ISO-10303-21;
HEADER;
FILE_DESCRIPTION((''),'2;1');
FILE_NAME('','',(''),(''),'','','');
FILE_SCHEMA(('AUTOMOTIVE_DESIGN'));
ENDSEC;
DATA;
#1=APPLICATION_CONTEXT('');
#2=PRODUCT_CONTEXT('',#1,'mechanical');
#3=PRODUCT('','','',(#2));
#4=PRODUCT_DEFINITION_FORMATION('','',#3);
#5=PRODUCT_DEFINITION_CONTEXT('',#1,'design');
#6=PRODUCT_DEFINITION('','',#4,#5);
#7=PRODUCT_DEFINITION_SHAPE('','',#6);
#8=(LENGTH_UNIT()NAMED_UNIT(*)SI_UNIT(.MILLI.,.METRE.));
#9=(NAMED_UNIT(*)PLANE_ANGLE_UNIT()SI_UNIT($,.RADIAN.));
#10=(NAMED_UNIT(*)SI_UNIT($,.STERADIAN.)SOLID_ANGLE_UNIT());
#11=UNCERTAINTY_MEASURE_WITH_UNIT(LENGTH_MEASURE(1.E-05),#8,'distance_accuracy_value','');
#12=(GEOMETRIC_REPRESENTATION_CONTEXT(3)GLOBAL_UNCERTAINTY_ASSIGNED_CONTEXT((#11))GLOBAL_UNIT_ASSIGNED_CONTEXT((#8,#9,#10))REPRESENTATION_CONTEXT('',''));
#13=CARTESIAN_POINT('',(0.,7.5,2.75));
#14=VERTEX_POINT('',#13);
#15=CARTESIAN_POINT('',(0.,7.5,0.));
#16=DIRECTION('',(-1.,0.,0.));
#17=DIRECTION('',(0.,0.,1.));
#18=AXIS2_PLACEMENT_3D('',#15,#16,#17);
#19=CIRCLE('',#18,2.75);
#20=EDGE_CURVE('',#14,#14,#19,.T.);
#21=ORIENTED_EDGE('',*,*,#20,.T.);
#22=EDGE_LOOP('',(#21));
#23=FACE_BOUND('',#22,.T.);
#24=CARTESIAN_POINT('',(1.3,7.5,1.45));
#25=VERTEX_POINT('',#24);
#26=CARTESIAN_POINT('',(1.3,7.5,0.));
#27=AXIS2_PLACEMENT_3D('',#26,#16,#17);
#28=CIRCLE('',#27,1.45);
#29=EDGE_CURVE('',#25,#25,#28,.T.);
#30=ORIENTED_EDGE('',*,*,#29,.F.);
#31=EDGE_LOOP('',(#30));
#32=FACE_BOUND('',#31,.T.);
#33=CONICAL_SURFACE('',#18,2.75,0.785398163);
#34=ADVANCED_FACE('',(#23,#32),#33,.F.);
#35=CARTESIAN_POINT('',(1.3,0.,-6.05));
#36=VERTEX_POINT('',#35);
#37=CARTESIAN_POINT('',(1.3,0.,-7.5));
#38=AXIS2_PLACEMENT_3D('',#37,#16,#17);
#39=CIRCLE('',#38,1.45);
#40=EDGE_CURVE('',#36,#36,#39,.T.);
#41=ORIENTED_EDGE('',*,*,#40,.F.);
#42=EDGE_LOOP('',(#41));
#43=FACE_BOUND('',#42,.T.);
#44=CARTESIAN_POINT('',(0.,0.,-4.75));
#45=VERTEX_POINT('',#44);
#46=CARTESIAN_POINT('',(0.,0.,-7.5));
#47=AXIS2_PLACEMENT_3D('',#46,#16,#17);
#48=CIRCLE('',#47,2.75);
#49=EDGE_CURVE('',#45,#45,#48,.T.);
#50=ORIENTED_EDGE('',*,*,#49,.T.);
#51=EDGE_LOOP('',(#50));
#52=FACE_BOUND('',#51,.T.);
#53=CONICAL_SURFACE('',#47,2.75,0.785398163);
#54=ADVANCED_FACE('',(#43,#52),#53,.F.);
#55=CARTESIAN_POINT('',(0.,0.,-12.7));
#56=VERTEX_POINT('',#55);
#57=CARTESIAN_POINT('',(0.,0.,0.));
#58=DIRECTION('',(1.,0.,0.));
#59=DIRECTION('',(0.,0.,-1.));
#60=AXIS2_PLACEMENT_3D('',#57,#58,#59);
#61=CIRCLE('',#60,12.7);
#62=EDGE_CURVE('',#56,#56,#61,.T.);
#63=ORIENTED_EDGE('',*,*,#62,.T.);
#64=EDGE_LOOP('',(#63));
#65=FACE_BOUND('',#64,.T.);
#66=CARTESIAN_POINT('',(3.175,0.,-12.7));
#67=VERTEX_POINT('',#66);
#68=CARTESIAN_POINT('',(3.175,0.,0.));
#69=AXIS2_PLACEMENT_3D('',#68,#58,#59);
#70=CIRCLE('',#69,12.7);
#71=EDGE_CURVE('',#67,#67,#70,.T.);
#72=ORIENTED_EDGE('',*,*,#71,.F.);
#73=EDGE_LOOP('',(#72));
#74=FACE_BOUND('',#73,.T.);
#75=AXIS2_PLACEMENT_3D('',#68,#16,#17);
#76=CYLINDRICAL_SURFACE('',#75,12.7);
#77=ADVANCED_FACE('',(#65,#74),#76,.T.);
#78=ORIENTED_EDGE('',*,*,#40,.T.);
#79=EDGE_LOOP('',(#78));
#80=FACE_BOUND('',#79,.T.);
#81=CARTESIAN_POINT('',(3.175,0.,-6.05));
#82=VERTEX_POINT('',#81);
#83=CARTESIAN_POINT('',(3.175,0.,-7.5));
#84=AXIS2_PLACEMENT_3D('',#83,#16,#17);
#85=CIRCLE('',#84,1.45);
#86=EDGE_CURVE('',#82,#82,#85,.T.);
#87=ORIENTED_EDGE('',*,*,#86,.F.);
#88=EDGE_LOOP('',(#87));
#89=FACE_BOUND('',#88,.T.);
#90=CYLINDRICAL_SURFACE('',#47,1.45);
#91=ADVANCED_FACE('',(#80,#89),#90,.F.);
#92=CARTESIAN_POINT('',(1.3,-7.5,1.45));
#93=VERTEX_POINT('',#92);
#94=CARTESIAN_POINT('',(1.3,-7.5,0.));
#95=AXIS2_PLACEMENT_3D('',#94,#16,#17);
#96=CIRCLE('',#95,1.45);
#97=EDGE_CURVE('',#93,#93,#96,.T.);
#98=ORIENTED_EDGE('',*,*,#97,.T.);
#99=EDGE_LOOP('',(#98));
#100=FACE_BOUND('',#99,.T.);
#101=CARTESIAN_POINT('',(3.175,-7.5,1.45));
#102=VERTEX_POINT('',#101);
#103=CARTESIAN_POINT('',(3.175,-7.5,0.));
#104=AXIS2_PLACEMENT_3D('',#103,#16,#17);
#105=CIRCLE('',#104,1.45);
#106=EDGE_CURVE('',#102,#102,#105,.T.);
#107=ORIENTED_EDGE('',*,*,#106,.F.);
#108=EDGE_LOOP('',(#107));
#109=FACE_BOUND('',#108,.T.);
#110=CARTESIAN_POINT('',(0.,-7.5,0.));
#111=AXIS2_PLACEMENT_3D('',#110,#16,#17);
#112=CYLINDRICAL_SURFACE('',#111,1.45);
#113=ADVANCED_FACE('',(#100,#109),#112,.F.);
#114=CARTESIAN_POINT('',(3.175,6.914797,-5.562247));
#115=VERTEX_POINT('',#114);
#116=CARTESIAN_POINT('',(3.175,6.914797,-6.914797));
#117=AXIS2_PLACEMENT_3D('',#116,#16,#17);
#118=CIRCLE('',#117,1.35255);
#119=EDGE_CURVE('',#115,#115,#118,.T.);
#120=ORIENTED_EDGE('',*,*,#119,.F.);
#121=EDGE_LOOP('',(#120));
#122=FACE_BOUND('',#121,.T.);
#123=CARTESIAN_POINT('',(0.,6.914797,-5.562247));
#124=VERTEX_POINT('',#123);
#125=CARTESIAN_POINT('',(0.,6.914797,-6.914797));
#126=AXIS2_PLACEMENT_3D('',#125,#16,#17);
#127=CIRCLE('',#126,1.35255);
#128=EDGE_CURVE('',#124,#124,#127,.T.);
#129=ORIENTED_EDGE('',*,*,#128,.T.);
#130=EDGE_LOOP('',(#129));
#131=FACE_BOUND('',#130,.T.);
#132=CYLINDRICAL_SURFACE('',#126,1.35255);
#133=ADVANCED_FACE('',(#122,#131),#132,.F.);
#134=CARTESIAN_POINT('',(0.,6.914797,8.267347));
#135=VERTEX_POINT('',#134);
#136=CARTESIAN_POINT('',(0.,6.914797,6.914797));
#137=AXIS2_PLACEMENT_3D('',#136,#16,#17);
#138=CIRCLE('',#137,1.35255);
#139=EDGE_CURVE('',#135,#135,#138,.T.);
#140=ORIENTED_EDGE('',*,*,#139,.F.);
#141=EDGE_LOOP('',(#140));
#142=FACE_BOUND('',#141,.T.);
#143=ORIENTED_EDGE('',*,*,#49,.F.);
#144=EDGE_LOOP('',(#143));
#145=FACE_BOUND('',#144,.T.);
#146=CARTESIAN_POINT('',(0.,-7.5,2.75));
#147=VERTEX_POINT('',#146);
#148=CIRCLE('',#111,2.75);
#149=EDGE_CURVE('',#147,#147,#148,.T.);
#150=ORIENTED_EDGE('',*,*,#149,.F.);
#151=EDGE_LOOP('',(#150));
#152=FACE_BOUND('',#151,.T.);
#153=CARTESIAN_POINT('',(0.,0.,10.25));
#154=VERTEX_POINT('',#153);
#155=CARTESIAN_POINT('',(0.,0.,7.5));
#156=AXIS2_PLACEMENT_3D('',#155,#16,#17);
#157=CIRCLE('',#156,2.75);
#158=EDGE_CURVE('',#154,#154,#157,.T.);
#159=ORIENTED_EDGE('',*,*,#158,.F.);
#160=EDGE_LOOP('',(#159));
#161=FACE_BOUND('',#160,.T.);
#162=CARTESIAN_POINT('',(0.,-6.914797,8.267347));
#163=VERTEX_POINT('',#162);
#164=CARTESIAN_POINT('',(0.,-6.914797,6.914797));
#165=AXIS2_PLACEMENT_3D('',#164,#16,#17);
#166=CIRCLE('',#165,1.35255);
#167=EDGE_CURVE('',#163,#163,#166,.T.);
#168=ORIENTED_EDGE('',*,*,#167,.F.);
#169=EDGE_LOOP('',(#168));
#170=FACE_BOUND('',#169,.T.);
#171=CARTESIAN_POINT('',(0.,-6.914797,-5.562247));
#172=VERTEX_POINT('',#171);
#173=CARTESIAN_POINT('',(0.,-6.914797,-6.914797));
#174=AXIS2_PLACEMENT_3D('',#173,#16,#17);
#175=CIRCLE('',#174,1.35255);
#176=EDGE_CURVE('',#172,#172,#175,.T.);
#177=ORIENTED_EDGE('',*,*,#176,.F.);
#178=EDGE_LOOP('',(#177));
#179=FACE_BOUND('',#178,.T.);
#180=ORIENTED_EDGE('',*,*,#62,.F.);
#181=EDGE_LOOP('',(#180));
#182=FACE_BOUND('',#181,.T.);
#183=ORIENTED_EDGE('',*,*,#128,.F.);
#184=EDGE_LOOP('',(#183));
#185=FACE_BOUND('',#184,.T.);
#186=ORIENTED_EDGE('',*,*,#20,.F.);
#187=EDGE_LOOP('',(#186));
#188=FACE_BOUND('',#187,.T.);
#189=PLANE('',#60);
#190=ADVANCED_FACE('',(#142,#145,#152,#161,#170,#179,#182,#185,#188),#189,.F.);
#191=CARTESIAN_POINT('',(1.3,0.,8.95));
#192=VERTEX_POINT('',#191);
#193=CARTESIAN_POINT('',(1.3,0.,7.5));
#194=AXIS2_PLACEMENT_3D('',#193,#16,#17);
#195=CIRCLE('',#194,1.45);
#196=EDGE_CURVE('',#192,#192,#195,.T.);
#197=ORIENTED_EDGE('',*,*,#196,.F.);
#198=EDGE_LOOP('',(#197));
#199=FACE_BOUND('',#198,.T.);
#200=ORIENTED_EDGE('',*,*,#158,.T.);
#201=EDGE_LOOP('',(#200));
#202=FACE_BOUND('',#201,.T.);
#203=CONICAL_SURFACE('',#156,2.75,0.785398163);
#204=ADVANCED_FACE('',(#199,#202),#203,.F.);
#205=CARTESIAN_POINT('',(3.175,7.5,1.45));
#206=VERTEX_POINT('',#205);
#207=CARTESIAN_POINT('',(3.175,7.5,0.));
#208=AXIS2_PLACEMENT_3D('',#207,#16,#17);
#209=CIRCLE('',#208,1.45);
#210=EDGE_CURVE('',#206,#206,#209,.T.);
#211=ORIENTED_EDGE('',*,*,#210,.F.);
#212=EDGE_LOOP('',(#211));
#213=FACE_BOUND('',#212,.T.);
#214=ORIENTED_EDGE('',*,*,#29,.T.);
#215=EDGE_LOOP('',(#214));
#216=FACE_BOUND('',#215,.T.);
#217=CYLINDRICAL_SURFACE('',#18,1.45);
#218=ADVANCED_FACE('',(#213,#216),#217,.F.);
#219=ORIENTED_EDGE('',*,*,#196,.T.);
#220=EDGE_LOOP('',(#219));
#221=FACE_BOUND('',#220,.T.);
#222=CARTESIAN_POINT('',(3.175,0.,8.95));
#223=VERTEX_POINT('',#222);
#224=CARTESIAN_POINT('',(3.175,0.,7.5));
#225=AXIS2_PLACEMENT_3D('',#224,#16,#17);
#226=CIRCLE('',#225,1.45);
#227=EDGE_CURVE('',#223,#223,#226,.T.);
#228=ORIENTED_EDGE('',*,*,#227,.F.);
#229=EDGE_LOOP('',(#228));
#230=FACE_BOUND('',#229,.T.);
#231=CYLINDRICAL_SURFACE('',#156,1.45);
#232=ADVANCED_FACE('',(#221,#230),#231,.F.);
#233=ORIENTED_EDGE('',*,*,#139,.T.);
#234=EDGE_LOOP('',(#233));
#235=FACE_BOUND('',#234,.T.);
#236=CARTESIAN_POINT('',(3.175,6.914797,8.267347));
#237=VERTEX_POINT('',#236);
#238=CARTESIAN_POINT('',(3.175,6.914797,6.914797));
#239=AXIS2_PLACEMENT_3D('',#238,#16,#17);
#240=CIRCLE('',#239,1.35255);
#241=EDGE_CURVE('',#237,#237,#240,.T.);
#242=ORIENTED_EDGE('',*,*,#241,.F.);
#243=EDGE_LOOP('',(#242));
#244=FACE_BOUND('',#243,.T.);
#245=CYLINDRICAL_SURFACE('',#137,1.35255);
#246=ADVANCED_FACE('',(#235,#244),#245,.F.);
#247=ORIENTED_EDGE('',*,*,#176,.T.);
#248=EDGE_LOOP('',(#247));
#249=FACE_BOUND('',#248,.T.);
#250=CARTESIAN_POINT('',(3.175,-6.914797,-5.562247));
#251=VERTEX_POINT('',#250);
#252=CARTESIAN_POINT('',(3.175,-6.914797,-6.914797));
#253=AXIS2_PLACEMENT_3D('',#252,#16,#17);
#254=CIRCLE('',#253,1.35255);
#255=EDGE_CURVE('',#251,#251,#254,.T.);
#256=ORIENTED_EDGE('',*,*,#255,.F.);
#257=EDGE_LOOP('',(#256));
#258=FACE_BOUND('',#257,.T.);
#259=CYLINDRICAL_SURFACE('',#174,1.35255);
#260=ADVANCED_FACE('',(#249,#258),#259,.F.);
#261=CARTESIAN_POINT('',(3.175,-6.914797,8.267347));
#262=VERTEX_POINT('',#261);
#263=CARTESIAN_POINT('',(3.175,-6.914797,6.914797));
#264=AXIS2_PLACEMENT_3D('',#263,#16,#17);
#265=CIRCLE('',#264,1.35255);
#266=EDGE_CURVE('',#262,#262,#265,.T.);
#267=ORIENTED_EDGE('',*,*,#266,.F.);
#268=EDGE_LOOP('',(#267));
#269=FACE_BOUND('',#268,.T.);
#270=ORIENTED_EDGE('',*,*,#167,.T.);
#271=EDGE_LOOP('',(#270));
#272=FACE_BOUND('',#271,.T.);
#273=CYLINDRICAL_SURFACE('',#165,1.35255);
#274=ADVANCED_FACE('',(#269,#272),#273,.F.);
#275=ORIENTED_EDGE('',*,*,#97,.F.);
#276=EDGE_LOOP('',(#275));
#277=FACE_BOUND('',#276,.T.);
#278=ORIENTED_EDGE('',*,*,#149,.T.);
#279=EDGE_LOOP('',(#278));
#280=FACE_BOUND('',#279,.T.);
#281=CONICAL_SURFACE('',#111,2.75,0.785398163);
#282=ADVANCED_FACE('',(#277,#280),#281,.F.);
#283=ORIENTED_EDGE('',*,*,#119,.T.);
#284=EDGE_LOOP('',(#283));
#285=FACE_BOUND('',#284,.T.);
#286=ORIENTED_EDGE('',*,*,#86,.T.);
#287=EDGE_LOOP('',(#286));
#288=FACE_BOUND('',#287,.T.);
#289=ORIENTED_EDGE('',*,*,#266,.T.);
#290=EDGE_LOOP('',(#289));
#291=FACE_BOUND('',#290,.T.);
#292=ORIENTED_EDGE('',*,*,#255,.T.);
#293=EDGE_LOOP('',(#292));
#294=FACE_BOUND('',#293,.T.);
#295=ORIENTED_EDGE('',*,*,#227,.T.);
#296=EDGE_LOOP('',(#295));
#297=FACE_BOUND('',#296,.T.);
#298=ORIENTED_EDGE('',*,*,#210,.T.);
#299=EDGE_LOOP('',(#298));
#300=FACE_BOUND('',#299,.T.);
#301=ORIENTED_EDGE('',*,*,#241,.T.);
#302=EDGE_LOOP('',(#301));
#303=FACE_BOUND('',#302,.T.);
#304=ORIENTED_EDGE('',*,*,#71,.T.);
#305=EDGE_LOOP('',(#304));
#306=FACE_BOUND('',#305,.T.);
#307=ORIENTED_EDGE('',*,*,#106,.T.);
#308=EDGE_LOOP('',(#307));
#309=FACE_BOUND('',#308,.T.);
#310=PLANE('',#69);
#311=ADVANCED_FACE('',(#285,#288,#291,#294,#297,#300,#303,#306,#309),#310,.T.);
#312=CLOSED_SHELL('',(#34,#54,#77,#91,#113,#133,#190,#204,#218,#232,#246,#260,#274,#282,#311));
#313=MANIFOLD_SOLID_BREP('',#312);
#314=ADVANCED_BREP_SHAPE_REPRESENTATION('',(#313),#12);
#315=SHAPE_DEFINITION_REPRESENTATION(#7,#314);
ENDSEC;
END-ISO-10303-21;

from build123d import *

# Parameters (mm, degrees)
SKETCH1_R                                         = 12.7
BOSS_EXTRUDE1_DEPTH                               = 3.175
CSK_FOR_M2_5_FLAT_HEAD_MACHINE_SCREW1_D           = 2.9
CSK_FOR_M2_5_FLAT_HEAD_MACHINE_SCREW1_CSINK_D     = 5.5
CSK_FOR_M2_5_FLAT_HEAD_MACHINE_SCREW1_CSINK_ANGLE = 90
F_6_32_TAPPED_HOLE1_D                             = 2.7051


with BuildPart() as part:
    # Sketch1 → Boss-Extrude1 (new body)
    with BuildSketch(Plane(origin=(0, 0, 0), x_dir=(0, 0, -1), z_dir=(1, 0, 0))):
        Circle(SKETCH1_R)
    extrude(amount=BOSS_EXTRUDE1_DEPTH)

    # CSK for M2.5 Flat Head Machine Screw1 (through all)
    with Locations(Plane.ZY):
        with Locations((0, 7.5), (0, -7.5), (7.5, 0), (-7.5, 0)):
            CounterSinkHole(CSK_FOR_M2_5_FLAT_HEAD_MACHINE_SCREW1_D / 2, CSK_FOR_M2_5_FLAT_HEAD_MACHINE_SCREW1_CSINK_D / 2, counter_sink_angle=CSK_FOR_M2_5_FLAT_HEAD_MACHINE_SCREW1_CSINK_ANGLE)

    # #6-32 Tapped Hole1 (through all)
    with Locations(Plane.ZY):
        with Locations((-6.914797213, 6.914797213), (-6.914797213, -6.914797213), (6.914797213, 6.914797213), (6.914797213, -6.914797213)):
            Hole(F_6_32_TAPPED_HOLE1_D / 2)


solid = part.part
